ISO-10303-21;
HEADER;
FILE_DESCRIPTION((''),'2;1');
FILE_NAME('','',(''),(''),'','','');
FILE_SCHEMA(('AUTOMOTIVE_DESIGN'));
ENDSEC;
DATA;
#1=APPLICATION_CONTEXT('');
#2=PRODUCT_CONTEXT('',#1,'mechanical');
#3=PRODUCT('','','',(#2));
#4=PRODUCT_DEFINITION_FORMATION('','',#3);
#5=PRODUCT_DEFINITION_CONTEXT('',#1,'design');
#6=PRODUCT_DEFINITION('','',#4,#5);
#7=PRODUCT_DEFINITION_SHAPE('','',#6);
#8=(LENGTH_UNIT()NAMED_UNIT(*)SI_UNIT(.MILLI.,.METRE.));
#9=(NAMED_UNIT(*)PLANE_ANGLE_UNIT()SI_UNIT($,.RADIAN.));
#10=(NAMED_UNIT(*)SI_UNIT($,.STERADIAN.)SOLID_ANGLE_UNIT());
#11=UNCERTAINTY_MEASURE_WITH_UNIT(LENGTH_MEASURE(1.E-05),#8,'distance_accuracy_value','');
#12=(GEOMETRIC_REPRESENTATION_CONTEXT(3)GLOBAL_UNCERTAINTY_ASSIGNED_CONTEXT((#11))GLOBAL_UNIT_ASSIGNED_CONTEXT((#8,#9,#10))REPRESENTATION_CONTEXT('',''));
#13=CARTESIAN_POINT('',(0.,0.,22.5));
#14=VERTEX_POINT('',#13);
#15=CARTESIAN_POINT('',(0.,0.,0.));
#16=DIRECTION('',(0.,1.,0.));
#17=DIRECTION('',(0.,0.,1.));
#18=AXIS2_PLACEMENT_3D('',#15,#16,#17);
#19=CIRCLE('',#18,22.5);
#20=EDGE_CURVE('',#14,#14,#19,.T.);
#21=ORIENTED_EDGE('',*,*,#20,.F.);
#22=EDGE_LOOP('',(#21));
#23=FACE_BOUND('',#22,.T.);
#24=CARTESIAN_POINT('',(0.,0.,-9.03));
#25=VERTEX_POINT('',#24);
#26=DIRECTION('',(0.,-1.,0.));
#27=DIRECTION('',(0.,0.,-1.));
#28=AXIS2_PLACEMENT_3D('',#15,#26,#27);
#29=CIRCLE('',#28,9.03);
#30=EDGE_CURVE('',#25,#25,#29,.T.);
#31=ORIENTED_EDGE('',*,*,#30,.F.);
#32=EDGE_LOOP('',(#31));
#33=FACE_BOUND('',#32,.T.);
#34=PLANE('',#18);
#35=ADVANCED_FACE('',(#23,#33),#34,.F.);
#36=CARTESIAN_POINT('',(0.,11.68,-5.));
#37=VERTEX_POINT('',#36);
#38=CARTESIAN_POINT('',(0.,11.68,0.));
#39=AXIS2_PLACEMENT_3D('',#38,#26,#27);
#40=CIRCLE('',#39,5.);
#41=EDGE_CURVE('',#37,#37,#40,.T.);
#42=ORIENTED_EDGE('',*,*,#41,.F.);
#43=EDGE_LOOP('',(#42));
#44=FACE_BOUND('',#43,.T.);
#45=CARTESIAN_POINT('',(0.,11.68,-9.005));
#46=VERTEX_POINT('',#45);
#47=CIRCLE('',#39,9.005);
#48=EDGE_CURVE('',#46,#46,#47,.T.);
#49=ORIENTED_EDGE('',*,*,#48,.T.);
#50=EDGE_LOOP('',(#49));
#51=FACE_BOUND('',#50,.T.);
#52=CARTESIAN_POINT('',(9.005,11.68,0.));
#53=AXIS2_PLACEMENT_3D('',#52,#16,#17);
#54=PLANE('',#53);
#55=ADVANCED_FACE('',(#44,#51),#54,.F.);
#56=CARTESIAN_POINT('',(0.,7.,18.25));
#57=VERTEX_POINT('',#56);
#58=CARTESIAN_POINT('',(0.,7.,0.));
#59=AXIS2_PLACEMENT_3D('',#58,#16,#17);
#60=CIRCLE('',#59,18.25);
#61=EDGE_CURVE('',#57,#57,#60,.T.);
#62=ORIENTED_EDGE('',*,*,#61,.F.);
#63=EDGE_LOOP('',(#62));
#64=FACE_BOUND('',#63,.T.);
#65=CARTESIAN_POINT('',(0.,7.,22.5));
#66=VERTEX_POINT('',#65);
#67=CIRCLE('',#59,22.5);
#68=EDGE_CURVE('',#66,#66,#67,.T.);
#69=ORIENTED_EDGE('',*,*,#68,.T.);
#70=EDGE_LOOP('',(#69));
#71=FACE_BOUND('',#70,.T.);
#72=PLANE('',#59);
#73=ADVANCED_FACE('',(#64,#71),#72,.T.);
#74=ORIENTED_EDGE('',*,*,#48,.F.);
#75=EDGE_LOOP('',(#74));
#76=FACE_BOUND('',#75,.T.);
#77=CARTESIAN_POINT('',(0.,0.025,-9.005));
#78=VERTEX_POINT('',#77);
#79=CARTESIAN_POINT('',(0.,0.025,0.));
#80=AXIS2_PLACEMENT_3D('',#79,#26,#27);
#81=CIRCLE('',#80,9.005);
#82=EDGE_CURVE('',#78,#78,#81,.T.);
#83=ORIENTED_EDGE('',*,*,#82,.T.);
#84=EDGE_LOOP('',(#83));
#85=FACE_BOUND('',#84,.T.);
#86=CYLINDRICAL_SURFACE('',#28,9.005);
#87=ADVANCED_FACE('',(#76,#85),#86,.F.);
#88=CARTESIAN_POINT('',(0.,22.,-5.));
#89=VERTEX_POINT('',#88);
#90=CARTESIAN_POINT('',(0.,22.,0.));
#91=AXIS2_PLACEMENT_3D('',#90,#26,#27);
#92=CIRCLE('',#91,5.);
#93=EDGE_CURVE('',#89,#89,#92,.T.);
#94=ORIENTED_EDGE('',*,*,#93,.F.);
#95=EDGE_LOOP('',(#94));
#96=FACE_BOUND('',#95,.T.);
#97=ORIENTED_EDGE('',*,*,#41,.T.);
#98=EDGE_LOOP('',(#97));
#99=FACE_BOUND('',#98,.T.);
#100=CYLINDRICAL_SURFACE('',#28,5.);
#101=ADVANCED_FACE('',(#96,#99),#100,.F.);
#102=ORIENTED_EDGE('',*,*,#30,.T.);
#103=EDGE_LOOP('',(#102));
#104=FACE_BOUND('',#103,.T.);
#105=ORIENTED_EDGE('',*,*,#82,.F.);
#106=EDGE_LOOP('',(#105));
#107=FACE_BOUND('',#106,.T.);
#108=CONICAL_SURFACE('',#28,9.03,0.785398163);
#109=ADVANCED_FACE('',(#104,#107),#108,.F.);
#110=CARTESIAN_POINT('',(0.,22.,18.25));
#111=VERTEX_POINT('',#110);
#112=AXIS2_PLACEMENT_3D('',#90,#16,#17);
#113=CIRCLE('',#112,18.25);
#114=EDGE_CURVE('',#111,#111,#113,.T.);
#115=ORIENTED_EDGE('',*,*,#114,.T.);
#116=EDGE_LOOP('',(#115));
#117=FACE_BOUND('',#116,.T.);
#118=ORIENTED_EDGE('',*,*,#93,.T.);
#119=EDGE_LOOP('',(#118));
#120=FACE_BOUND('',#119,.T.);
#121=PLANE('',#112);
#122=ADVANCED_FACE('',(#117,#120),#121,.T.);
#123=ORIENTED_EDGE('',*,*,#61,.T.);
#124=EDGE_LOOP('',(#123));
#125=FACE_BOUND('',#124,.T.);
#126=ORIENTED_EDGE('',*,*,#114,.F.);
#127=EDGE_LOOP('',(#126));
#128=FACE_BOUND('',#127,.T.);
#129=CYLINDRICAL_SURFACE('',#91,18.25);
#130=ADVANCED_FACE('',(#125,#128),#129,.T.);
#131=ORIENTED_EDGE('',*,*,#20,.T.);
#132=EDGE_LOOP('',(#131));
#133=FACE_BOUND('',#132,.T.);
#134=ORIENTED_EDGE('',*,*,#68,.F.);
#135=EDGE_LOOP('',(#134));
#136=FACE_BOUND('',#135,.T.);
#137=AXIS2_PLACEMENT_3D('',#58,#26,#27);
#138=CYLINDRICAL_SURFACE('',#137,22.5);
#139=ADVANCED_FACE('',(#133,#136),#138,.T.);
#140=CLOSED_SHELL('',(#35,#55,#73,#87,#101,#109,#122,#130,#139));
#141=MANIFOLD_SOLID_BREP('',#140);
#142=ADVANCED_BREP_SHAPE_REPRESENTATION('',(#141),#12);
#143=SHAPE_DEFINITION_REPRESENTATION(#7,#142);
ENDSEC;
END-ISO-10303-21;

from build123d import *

# Parameters (mm, degrees)
SKETCH2_R           = 22.5
BOSS_EXTRUDE1_DEPTH = 7
SKETCH3_R           = 18.25
BOSS_EXTRUDE2_DEPTH = 15


with BuildPart() as part:
    # Sketch2 → Boss-Extrude1 (new body)
    with BuildSketch(Plane(origin=(0, 0, 0), x_dir=(1, 0, 0), z_dir=(0, 1, 0))):
        with Locations(Location((0, 0, 0), (0, 0, 270))):
            Circle(SKETCH2_R)
    extrude(amount=BOSS_EXTRUDE1_DEPTH)

    # Sketch3 → Boss-Extrude2 (add)
    with BuildSketch(Plane(origin=(0, 7, 0), x_dir=(1, 0, 0), z_dir=(0, 1, 0))):
        with Locations(Location((0, 0, 0), (0, 0, 270))):
            Circle(SKETCH3_R)
    extrude(amount=BOSS_EXTRUDE2_DEPTH)

    # Sketch5 → CBORE for M8 Hex Head Bolt1 (revolve, cut)
    with BuildSketch(Plane(origin=(0, 0, 0), x_dir=(0, 0, -1), z_dir=(1, 0, 0))):
        Polygon((0, 0), (0, 22), (5, 22), (5, 11.68), (9.005, 11.68), (9.005, 0.025), (9.03, 0), align=None)
    revolve(axis=Axis((0, -6.35, 0), (0, 1, 0)), mode=Mode.SUBTRACT)


solid = part.part
